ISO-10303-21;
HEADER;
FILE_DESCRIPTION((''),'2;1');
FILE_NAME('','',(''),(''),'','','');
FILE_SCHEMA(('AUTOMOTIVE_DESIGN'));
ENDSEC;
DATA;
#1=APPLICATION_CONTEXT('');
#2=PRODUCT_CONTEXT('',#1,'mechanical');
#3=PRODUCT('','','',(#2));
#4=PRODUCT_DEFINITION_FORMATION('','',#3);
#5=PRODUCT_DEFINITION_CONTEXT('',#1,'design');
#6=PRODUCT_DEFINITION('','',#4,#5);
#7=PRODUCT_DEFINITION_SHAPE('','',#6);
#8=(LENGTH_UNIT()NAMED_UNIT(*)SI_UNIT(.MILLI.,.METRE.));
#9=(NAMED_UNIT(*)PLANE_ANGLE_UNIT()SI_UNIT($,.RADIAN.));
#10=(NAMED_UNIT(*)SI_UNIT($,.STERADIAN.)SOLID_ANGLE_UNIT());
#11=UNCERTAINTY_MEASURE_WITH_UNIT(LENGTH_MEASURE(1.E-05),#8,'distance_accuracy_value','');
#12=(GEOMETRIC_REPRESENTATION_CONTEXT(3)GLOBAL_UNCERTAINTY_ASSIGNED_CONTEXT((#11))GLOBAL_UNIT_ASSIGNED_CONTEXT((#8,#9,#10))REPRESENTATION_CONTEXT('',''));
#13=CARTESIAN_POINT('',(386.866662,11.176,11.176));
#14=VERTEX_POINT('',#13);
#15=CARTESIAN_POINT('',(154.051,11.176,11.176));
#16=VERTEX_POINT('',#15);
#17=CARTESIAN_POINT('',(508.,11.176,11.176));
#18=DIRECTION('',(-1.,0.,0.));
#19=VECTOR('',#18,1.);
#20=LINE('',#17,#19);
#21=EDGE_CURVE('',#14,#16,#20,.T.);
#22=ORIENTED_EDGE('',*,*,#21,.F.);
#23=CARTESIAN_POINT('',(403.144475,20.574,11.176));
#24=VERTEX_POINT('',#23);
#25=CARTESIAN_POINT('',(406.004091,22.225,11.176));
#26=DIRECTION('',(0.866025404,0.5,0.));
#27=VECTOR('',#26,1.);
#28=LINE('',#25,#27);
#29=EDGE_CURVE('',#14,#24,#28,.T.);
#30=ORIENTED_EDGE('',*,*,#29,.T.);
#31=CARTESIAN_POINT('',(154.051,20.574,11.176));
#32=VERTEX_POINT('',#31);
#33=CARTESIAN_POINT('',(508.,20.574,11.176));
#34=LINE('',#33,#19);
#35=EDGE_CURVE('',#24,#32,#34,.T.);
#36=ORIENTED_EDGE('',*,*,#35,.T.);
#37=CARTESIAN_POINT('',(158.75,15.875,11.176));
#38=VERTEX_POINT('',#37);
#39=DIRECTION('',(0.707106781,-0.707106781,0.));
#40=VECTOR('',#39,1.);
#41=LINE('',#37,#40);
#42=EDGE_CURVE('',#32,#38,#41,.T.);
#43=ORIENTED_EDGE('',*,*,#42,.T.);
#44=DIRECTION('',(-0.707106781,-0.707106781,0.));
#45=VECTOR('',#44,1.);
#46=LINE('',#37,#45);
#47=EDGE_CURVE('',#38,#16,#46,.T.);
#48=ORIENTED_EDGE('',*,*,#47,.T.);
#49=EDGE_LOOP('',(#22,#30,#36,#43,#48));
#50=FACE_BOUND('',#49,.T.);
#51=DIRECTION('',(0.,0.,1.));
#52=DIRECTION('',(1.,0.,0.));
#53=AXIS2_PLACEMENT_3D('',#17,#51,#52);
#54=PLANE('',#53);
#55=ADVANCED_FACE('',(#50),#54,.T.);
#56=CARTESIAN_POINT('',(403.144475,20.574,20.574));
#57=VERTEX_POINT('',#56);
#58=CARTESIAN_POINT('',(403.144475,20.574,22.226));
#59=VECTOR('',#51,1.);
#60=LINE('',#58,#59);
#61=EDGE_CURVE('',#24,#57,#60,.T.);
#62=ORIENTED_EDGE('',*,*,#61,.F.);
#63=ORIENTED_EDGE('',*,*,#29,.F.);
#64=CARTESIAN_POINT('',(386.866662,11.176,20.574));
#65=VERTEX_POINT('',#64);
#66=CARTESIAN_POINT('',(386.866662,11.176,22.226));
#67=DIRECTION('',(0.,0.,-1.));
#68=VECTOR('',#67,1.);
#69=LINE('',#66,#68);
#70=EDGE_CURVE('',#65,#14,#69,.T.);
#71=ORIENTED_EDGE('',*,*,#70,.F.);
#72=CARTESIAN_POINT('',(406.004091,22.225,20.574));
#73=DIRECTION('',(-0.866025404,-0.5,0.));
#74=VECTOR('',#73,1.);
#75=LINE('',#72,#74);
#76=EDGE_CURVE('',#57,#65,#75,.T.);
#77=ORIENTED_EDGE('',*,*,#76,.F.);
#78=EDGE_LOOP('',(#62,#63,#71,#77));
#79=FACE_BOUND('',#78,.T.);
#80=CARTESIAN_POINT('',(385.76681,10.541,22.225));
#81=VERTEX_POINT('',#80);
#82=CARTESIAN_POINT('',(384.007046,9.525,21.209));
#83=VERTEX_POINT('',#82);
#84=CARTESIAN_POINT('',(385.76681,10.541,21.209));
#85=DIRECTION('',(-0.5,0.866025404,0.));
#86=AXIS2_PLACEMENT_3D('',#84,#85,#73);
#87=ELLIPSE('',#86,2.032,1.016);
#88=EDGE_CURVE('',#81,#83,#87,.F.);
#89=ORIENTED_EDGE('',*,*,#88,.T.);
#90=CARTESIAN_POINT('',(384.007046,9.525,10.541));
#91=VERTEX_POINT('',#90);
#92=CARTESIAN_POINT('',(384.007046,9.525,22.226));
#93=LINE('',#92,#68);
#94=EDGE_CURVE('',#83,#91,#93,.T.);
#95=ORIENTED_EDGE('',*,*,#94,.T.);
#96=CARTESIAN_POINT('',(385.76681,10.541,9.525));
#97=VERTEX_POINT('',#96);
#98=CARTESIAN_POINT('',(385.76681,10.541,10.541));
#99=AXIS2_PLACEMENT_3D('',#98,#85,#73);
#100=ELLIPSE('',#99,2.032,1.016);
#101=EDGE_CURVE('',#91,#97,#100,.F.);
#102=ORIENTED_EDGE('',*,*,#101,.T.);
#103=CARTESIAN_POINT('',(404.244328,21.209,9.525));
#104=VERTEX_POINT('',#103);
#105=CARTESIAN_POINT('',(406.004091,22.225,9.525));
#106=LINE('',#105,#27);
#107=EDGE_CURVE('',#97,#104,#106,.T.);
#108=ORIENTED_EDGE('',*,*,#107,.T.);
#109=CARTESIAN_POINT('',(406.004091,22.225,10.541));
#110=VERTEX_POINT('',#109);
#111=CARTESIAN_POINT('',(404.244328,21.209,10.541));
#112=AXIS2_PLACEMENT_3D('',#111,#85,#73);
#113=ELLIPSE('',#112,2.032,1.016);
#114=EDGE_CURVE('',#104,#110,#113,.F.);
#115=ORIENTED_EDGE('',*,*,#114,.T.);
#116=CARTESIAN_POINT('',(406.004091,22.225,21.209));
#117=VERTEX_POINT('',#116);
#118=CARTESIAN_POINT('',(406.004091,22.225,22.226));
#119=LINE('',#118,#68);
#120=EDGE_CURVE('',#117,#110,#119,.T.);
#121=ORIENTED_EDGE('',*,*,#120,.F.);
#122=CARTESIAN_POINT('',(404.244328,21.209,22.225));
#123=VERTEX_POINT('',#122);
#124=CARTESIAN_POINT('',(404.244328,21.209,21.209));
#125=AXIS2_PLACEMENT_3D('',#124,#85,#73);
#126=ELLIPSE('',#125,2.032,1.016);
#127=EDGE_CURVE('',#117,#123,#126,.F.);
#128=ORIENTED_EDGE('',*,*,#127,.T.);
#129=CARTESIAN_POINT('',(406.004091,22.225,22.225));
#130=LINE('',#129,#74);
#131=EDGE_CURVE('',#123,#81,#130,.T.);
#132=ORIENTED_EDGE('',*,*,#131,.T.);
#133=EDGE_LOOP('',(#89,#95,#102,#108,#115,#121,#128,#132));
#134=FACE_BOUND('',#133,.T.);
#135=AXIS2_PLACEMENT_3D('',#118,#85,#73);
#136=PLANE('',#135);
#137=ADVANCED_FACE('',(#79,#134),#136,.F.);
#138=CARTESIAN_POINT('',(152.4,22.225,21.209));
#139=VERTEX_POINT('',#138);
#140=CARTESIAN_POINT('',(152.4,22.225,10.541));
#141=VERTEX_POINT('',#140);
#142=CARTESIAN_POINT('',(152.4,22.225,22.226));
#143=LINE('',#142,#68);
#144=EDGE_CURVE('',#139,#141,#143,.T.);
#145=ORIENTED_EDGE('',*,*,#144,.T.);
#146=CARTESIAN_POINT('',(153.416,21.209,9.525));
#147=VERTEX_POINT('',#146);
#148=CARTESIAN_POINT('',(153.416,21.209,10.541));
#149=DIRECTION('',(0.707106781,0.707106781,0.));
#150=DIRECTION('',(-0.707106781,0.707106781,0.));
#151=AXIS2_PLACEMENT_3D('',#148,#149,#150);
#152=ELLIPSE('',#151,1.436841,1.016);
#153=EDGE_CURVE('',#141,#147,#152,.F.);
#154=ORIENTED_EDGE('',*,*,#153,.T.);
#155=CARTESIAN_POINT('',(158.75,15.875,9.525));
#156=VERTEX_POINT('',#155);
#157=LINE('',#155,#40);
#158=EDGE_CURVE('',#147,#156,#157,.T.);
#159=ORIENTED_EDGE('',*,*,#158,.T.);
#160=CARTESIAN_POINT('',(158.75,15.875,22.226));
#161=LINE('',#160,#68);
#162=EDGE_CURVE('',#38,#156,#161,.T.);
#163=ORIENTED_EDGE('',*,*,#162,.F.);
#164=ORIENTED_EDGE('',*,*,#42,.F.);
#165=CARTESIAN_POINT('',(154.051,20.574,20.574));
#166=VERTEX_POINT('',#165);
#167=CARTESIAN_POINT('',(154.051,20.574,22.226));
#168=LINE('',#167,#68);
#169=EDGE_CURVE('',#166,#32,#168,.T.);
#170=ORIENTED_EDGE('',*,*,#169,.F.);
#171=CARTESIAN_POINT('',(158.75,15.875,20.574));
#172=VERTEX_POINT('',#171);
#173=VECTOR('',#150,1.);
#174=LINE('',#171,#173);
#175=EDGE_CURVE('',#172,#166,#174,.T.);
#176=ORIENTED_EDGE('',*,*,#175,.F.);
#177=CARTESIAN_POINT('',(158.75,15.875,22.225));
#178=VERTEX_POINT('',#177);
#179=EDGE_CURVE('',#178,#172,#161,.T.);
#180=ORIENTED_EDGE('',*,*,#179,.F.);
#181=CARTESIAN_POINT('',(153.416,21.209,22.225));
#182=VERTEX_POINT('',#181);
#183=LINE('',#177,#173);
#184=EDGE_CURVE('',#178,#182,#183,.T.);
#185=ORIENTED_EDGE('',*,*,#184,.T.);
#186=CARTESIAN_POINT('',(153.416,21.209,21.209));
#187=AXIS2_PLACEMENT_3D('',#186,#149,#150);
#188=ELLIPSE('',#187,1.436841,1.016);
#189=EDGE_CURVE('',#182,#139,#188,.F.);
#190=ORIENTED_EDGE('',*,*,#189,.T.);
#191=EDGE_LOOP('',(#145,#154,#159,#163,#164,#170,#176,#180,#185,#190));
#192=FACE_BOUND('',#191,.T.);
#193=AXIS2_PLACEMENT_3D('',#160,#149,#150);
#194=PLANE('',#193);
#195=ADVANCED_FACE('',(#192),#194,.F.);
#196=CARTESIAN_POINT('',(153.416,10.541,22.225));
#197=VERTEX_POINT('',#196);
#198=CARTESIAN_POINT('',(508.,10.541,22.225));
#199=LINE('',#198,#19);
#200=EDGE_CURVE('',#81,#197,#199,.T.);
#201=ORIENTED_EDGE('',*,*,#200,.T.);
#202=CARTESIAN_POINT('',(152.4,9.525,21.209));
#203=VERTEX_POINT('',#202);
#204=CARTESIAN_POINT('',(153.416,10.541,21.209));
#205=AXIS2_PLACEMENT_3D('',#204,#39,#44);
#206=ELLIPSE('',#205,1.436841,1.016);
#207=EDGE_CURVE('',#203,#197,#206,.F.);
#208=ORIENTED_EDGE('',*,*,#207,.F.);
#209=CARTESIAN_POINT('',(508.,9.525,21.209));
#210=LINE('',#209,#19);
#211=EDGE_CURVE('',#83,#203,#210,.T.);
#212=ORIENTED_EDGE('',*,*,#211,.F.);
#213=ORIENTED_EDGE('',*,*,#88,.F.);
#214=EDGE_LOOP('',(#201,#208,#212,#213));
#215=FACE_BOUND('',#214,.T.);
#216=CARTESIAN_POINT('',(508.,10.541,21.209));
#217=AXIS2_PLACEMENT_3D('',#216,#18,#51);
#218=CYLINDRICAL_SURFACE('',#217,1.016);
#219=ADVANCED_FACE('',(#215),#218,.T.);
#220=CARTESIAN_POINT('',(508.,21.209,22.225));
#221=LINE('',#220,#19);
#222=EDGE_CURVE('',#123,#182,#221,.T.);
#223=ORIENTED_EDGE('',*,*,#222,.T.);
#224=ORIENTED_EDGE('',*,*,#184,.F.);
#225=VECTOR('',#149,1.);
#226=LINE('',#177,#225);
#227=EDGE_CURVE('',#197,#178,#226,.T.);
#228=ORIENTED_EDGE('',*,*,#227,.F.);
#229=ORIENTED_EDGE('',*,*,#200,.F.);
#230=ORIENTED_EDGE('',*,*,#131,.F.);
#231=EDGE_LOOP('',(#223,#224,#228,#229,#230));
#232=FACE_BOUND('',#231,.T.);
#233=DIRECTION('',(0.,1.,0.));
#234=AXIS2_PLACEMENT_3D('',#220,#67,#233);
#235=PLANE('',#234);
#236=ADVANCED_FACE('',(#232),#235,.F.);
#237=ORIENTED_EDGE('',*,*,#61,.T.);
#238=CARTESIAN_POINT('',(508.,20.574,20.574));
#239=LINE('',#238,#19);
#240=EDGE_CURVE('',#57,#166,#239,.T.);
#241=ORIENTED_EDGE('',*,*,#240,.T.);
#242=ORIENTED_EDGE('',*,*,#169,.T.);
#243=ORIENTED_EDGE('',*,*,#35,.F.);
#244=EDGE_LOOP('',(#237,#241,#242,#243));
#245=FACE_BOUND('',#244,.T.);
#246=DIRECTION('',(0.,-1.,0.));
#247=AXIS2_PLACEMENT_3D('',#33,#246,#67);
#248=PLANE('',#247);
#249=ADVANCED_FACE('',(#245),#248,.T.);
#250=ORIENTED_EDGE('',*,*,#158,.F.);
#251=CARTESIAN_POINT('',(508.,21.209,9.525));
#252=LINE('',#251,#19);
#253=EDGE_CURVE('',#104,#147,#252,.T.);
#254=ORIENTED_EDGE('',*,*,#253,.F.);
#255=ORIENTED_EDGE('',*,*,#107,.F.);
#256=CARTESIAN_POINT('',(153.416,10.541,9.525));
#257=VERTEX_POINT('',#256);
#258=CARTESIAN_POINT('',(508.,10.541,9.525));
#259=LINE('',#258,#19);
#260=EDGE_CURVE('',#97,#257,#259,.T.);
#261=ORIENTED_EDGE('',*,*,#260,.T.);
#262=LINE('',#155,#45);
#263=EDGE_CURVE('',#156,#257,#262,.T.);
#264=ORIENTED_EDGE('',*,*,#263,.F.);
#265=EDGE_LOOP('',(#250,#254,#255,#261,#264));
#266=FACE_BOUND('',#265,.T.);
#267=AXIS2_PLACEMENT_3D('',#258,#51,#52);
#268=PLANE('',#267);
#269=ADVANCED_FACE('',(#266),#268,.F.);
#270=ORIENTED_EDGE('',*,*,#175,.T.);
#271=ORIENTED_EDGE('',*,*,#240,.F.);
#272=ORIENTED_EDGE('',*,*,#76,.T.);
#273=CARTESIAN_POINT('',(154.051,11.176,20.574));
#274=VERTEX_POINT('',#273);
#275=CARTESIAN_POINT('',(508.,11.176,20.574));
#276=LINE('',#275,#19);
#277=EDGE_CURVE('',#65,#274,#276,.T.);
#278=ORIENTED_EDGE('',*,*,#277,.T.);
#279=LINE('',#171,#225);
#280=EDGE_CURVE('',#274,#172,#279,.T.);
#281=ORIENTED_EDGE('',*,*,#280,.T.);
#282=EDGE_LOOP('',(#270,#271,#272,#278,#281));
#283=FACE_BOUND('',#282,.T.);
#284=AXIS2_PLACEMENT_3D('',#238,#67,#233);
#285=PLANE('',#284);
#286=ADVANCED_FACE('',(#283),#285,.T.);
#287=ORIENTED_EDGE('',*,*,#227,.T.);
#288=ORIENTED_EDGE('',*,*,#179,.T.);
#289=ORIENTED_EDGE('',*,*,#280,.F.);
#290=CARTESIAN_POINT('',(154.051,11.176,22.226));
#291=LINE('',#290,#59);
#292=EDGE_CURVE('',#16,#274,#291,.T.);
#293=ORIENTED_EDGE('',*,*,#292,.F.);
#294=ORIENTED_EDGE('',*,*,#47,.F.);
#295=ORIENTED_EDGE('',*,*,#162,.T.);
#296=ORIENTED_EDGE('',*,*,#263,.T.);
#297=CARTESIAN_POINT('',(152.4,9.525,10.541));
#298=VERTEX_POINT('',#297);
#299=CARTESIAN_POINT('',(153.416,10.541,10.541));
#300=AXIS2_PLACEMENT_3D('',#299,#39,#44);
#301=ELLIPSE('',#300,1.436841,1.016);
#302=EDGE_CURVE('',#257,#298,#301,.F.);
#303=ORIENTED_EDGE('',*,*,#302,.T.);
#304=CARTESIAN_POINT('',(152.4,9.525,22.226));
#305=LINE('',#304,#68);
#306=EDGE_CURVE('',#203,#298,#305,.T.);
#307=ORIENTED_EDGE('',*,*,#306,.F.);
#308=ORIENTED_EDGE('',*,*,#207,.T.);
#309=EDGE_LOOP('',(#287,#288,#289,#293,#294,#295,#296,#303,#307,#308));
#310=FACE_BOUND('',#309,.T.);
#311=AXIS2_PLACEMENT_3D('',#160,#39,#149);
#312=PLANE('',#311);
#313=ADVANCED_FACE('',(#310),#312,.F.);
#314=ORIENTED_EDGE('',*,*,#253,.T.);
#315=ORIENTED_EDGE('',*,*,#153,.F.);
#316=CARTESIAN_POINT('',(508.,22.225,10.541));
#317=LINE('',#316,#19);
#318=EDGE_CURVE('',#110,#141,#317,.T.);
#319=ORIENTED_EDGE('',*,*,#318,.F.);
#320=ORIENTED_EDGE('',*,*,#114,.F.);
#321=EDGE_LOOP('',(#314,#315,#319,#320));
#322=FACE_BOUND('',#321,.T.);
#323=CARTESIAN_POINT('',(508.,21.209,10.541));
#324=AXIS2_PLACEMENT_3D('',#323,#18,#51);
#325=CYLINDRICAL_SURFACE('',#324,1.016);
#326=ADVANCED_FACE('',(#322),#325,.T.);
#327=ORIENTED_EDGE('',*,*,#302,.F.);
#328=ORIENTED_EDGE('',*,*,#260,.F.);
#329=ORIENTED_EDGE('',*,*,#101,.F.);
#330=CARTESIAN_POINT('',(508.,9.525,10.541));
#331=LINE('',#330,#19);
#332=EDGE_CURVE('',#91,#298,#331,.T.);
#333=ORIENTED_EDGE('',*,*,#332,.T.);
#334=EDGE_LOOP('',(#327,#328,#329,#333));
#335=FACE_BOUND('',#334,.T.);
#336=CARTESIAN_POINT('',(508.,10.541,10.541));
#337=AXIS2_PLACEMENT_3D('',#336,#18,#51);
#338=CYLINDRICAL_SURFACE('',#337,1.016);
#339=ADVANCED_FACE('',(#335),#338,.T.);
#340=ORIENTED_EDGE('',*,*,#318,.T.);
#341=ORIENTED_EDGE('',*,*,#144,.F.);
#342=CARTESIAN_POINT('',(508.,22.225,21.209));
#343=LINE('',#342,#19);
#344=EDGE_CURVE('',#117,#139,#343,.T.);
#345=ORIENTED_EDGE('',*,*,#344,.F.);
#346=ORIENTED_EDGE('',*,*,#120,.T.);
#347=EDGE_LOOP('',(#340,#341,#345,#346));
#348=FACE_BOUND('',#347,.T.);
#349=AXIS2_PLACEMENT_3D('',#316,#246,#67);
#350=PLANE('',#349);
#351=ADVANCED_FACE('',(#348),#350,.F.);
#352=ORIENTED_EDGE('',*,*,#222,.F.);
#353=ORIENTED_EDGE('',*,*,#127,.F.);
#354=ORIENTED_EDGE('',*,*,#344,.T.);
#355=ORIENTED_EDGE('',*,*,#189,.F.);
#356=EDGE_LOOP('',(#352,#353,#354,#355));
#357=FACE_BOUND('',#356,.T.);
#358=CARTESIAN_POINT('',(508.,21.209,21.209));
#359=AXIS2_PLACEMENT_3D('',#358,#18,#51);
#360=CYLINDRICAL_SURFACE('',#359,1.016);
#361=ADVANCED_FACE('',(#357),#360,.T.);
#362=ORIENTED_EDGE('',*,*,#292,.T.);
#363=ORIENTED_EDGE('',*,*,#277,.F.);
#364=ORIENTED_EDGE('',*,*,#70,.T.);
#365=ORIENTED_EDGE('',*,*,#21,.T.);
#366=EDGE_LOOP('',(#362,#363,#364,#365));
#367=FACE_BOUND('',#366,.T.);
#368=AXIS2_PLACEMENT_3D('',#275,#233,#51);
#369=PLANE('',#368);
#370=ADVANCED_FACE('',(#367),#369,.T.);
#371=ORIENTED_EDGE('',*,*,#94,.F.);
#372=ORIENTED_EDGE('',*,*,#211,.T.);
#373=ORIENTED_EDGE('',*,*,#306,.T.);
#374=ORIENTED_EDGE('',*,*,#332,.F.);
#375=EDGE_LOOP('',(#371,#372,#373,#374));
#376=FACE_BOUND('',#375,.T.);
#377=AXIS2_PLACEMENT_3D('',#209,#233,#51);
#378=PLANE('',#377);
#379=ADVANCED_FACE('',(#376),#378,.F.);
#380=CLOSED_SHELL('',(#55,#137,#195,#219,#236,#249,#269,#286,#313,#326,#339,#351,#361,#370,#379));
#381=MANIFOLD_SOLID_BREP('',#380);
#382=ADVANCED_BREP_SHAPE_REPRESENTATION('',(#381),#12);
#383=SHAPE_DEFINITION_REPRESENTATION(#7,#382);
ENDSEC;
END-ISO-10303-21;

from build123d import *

# Parameters (mm, degrees)
SKETCH1_W           = 23.495
SKETCH1_H           = 23.495
BOSS_EXTRUDE1_DEPTH = 508
SCALE1_SCALE_X      = 1
SCALE1_SCALE_Y      = 0.4
SCALE1_SCALE_Z      = 0.4
CUT_EXTRUDE1_REACH  = 510.645
CUT_EXTRUDE2_REACH  = 510.645


with BuildPart() as part:
    # Sketch1 → Boss-Extrude1 (new body)
    with BuildSketch(Plane(origin=(0, 0, 0), x_dir=(0, 0, -1), z_dir=(1, 0, 0))):
        with BuildLine():
            Line((0, 2.54), (0, 29.21))
            ThreePointArc((0, 29.21), (-0.743948776, 31.006051224), (-2.54, 31.75))
            Line((-2.54, 31.75), (-29.21, 31.75))
            ThreePointArc((-29.21, 31.75), (-31.006051224, 31.006051224), (-31.75, 29.21))
            Line((-31.75, 29.21), (-31.75, 2.54))
            ThreePointArc((-31.75, 2.54), (-31.006051224, 0.743948776), (-29.21, 0))
            Line((-29.21, 0), (-2.54, 0))
            ThreePointArc((-2.54, 0), (-0.743948776, 0.743948776), (0, 2.54))
        make_face()
        with Locations((-15.875, 15.875)):
            Rectangle(SKETCH1_W, SKETCH1_H, mode=Mode.SUBTRACT)
    extrude(amount=BOSS_EXTRUDE1_DEPTH)


with BuildPart() as part_1:
    # Scale1: scaled about (254, 15.875, 15.875)
    add(part.part.scale((SCALE1_SCALE_X, SCALE1_SCALE_Y, SCALE1_SCALE_Z), about=(254, 15.875, 15.875)))

    # Sketch2 → Cut-Extrude1 (cut, up to next)
    with BuildSketch(Plane(origin=(0, 0, 9.525), x_dir=(-1, 0, 0), z_dir=(0, 0, -1)), mode=Mode.PRIVATE) as cut_extrude1_sk1:
        Polygon((-158.75, 15.875), (-152.4, 9.525), (-132.341002805, 9.525), (-132.341002805, 22.225), (-152.4, 22.225), align=None)
    cut_extrude1_tool1 = extrude(cut_extrude1_sk1.sketch, amount=-CUT_EXTRUDE1_REACH, mode=Mode.PRIVATE) & part_1.part
    add(cut_extrude1_tool1.solids().sort_by_distance((144.030314, 15.875, 9.525))[0], mode=Mode.SUBTRACT)


with BuildPart() as cut_extrude1_kept_piece:
    # of the separate pieces the step leaves, the one the design keeps (cut_extrude1_pieces_kept)
    add(part_1.part.solids().sort_by_distance((158.75, 15.875, 9.525))[0])

    # Sketch3 → Cut-Extrude2 (cut, up to next)
    with BuildSketch(Plane(origin=(0, 0, 9.525), x_dir=(-1, 0, 0), z_dir=(0, 0, -1)), mode=Mode.PRIVATE) as cut_extrude2_sk1:
        Polygon((-406.004091145, 22.225), (-384.007045889, 9.525), (-508, 9.525), (-508, 22.225), align=None)
    cut_extrude2_tool1 = extrude(cut_extrude2_sk1.sketch, amount=-CUT_EXTRUDE2_REACH, mode=Mode.PRIVATE) & cut_extrude1_kept_piece.part
    add(cut_extrude2_tool1.solids().sort_by_distance((451.324357, 15.66897, 9.525))[0], mode=Mode.SUBTRACT)


solid = cut_extrude1_kept_piece.part
